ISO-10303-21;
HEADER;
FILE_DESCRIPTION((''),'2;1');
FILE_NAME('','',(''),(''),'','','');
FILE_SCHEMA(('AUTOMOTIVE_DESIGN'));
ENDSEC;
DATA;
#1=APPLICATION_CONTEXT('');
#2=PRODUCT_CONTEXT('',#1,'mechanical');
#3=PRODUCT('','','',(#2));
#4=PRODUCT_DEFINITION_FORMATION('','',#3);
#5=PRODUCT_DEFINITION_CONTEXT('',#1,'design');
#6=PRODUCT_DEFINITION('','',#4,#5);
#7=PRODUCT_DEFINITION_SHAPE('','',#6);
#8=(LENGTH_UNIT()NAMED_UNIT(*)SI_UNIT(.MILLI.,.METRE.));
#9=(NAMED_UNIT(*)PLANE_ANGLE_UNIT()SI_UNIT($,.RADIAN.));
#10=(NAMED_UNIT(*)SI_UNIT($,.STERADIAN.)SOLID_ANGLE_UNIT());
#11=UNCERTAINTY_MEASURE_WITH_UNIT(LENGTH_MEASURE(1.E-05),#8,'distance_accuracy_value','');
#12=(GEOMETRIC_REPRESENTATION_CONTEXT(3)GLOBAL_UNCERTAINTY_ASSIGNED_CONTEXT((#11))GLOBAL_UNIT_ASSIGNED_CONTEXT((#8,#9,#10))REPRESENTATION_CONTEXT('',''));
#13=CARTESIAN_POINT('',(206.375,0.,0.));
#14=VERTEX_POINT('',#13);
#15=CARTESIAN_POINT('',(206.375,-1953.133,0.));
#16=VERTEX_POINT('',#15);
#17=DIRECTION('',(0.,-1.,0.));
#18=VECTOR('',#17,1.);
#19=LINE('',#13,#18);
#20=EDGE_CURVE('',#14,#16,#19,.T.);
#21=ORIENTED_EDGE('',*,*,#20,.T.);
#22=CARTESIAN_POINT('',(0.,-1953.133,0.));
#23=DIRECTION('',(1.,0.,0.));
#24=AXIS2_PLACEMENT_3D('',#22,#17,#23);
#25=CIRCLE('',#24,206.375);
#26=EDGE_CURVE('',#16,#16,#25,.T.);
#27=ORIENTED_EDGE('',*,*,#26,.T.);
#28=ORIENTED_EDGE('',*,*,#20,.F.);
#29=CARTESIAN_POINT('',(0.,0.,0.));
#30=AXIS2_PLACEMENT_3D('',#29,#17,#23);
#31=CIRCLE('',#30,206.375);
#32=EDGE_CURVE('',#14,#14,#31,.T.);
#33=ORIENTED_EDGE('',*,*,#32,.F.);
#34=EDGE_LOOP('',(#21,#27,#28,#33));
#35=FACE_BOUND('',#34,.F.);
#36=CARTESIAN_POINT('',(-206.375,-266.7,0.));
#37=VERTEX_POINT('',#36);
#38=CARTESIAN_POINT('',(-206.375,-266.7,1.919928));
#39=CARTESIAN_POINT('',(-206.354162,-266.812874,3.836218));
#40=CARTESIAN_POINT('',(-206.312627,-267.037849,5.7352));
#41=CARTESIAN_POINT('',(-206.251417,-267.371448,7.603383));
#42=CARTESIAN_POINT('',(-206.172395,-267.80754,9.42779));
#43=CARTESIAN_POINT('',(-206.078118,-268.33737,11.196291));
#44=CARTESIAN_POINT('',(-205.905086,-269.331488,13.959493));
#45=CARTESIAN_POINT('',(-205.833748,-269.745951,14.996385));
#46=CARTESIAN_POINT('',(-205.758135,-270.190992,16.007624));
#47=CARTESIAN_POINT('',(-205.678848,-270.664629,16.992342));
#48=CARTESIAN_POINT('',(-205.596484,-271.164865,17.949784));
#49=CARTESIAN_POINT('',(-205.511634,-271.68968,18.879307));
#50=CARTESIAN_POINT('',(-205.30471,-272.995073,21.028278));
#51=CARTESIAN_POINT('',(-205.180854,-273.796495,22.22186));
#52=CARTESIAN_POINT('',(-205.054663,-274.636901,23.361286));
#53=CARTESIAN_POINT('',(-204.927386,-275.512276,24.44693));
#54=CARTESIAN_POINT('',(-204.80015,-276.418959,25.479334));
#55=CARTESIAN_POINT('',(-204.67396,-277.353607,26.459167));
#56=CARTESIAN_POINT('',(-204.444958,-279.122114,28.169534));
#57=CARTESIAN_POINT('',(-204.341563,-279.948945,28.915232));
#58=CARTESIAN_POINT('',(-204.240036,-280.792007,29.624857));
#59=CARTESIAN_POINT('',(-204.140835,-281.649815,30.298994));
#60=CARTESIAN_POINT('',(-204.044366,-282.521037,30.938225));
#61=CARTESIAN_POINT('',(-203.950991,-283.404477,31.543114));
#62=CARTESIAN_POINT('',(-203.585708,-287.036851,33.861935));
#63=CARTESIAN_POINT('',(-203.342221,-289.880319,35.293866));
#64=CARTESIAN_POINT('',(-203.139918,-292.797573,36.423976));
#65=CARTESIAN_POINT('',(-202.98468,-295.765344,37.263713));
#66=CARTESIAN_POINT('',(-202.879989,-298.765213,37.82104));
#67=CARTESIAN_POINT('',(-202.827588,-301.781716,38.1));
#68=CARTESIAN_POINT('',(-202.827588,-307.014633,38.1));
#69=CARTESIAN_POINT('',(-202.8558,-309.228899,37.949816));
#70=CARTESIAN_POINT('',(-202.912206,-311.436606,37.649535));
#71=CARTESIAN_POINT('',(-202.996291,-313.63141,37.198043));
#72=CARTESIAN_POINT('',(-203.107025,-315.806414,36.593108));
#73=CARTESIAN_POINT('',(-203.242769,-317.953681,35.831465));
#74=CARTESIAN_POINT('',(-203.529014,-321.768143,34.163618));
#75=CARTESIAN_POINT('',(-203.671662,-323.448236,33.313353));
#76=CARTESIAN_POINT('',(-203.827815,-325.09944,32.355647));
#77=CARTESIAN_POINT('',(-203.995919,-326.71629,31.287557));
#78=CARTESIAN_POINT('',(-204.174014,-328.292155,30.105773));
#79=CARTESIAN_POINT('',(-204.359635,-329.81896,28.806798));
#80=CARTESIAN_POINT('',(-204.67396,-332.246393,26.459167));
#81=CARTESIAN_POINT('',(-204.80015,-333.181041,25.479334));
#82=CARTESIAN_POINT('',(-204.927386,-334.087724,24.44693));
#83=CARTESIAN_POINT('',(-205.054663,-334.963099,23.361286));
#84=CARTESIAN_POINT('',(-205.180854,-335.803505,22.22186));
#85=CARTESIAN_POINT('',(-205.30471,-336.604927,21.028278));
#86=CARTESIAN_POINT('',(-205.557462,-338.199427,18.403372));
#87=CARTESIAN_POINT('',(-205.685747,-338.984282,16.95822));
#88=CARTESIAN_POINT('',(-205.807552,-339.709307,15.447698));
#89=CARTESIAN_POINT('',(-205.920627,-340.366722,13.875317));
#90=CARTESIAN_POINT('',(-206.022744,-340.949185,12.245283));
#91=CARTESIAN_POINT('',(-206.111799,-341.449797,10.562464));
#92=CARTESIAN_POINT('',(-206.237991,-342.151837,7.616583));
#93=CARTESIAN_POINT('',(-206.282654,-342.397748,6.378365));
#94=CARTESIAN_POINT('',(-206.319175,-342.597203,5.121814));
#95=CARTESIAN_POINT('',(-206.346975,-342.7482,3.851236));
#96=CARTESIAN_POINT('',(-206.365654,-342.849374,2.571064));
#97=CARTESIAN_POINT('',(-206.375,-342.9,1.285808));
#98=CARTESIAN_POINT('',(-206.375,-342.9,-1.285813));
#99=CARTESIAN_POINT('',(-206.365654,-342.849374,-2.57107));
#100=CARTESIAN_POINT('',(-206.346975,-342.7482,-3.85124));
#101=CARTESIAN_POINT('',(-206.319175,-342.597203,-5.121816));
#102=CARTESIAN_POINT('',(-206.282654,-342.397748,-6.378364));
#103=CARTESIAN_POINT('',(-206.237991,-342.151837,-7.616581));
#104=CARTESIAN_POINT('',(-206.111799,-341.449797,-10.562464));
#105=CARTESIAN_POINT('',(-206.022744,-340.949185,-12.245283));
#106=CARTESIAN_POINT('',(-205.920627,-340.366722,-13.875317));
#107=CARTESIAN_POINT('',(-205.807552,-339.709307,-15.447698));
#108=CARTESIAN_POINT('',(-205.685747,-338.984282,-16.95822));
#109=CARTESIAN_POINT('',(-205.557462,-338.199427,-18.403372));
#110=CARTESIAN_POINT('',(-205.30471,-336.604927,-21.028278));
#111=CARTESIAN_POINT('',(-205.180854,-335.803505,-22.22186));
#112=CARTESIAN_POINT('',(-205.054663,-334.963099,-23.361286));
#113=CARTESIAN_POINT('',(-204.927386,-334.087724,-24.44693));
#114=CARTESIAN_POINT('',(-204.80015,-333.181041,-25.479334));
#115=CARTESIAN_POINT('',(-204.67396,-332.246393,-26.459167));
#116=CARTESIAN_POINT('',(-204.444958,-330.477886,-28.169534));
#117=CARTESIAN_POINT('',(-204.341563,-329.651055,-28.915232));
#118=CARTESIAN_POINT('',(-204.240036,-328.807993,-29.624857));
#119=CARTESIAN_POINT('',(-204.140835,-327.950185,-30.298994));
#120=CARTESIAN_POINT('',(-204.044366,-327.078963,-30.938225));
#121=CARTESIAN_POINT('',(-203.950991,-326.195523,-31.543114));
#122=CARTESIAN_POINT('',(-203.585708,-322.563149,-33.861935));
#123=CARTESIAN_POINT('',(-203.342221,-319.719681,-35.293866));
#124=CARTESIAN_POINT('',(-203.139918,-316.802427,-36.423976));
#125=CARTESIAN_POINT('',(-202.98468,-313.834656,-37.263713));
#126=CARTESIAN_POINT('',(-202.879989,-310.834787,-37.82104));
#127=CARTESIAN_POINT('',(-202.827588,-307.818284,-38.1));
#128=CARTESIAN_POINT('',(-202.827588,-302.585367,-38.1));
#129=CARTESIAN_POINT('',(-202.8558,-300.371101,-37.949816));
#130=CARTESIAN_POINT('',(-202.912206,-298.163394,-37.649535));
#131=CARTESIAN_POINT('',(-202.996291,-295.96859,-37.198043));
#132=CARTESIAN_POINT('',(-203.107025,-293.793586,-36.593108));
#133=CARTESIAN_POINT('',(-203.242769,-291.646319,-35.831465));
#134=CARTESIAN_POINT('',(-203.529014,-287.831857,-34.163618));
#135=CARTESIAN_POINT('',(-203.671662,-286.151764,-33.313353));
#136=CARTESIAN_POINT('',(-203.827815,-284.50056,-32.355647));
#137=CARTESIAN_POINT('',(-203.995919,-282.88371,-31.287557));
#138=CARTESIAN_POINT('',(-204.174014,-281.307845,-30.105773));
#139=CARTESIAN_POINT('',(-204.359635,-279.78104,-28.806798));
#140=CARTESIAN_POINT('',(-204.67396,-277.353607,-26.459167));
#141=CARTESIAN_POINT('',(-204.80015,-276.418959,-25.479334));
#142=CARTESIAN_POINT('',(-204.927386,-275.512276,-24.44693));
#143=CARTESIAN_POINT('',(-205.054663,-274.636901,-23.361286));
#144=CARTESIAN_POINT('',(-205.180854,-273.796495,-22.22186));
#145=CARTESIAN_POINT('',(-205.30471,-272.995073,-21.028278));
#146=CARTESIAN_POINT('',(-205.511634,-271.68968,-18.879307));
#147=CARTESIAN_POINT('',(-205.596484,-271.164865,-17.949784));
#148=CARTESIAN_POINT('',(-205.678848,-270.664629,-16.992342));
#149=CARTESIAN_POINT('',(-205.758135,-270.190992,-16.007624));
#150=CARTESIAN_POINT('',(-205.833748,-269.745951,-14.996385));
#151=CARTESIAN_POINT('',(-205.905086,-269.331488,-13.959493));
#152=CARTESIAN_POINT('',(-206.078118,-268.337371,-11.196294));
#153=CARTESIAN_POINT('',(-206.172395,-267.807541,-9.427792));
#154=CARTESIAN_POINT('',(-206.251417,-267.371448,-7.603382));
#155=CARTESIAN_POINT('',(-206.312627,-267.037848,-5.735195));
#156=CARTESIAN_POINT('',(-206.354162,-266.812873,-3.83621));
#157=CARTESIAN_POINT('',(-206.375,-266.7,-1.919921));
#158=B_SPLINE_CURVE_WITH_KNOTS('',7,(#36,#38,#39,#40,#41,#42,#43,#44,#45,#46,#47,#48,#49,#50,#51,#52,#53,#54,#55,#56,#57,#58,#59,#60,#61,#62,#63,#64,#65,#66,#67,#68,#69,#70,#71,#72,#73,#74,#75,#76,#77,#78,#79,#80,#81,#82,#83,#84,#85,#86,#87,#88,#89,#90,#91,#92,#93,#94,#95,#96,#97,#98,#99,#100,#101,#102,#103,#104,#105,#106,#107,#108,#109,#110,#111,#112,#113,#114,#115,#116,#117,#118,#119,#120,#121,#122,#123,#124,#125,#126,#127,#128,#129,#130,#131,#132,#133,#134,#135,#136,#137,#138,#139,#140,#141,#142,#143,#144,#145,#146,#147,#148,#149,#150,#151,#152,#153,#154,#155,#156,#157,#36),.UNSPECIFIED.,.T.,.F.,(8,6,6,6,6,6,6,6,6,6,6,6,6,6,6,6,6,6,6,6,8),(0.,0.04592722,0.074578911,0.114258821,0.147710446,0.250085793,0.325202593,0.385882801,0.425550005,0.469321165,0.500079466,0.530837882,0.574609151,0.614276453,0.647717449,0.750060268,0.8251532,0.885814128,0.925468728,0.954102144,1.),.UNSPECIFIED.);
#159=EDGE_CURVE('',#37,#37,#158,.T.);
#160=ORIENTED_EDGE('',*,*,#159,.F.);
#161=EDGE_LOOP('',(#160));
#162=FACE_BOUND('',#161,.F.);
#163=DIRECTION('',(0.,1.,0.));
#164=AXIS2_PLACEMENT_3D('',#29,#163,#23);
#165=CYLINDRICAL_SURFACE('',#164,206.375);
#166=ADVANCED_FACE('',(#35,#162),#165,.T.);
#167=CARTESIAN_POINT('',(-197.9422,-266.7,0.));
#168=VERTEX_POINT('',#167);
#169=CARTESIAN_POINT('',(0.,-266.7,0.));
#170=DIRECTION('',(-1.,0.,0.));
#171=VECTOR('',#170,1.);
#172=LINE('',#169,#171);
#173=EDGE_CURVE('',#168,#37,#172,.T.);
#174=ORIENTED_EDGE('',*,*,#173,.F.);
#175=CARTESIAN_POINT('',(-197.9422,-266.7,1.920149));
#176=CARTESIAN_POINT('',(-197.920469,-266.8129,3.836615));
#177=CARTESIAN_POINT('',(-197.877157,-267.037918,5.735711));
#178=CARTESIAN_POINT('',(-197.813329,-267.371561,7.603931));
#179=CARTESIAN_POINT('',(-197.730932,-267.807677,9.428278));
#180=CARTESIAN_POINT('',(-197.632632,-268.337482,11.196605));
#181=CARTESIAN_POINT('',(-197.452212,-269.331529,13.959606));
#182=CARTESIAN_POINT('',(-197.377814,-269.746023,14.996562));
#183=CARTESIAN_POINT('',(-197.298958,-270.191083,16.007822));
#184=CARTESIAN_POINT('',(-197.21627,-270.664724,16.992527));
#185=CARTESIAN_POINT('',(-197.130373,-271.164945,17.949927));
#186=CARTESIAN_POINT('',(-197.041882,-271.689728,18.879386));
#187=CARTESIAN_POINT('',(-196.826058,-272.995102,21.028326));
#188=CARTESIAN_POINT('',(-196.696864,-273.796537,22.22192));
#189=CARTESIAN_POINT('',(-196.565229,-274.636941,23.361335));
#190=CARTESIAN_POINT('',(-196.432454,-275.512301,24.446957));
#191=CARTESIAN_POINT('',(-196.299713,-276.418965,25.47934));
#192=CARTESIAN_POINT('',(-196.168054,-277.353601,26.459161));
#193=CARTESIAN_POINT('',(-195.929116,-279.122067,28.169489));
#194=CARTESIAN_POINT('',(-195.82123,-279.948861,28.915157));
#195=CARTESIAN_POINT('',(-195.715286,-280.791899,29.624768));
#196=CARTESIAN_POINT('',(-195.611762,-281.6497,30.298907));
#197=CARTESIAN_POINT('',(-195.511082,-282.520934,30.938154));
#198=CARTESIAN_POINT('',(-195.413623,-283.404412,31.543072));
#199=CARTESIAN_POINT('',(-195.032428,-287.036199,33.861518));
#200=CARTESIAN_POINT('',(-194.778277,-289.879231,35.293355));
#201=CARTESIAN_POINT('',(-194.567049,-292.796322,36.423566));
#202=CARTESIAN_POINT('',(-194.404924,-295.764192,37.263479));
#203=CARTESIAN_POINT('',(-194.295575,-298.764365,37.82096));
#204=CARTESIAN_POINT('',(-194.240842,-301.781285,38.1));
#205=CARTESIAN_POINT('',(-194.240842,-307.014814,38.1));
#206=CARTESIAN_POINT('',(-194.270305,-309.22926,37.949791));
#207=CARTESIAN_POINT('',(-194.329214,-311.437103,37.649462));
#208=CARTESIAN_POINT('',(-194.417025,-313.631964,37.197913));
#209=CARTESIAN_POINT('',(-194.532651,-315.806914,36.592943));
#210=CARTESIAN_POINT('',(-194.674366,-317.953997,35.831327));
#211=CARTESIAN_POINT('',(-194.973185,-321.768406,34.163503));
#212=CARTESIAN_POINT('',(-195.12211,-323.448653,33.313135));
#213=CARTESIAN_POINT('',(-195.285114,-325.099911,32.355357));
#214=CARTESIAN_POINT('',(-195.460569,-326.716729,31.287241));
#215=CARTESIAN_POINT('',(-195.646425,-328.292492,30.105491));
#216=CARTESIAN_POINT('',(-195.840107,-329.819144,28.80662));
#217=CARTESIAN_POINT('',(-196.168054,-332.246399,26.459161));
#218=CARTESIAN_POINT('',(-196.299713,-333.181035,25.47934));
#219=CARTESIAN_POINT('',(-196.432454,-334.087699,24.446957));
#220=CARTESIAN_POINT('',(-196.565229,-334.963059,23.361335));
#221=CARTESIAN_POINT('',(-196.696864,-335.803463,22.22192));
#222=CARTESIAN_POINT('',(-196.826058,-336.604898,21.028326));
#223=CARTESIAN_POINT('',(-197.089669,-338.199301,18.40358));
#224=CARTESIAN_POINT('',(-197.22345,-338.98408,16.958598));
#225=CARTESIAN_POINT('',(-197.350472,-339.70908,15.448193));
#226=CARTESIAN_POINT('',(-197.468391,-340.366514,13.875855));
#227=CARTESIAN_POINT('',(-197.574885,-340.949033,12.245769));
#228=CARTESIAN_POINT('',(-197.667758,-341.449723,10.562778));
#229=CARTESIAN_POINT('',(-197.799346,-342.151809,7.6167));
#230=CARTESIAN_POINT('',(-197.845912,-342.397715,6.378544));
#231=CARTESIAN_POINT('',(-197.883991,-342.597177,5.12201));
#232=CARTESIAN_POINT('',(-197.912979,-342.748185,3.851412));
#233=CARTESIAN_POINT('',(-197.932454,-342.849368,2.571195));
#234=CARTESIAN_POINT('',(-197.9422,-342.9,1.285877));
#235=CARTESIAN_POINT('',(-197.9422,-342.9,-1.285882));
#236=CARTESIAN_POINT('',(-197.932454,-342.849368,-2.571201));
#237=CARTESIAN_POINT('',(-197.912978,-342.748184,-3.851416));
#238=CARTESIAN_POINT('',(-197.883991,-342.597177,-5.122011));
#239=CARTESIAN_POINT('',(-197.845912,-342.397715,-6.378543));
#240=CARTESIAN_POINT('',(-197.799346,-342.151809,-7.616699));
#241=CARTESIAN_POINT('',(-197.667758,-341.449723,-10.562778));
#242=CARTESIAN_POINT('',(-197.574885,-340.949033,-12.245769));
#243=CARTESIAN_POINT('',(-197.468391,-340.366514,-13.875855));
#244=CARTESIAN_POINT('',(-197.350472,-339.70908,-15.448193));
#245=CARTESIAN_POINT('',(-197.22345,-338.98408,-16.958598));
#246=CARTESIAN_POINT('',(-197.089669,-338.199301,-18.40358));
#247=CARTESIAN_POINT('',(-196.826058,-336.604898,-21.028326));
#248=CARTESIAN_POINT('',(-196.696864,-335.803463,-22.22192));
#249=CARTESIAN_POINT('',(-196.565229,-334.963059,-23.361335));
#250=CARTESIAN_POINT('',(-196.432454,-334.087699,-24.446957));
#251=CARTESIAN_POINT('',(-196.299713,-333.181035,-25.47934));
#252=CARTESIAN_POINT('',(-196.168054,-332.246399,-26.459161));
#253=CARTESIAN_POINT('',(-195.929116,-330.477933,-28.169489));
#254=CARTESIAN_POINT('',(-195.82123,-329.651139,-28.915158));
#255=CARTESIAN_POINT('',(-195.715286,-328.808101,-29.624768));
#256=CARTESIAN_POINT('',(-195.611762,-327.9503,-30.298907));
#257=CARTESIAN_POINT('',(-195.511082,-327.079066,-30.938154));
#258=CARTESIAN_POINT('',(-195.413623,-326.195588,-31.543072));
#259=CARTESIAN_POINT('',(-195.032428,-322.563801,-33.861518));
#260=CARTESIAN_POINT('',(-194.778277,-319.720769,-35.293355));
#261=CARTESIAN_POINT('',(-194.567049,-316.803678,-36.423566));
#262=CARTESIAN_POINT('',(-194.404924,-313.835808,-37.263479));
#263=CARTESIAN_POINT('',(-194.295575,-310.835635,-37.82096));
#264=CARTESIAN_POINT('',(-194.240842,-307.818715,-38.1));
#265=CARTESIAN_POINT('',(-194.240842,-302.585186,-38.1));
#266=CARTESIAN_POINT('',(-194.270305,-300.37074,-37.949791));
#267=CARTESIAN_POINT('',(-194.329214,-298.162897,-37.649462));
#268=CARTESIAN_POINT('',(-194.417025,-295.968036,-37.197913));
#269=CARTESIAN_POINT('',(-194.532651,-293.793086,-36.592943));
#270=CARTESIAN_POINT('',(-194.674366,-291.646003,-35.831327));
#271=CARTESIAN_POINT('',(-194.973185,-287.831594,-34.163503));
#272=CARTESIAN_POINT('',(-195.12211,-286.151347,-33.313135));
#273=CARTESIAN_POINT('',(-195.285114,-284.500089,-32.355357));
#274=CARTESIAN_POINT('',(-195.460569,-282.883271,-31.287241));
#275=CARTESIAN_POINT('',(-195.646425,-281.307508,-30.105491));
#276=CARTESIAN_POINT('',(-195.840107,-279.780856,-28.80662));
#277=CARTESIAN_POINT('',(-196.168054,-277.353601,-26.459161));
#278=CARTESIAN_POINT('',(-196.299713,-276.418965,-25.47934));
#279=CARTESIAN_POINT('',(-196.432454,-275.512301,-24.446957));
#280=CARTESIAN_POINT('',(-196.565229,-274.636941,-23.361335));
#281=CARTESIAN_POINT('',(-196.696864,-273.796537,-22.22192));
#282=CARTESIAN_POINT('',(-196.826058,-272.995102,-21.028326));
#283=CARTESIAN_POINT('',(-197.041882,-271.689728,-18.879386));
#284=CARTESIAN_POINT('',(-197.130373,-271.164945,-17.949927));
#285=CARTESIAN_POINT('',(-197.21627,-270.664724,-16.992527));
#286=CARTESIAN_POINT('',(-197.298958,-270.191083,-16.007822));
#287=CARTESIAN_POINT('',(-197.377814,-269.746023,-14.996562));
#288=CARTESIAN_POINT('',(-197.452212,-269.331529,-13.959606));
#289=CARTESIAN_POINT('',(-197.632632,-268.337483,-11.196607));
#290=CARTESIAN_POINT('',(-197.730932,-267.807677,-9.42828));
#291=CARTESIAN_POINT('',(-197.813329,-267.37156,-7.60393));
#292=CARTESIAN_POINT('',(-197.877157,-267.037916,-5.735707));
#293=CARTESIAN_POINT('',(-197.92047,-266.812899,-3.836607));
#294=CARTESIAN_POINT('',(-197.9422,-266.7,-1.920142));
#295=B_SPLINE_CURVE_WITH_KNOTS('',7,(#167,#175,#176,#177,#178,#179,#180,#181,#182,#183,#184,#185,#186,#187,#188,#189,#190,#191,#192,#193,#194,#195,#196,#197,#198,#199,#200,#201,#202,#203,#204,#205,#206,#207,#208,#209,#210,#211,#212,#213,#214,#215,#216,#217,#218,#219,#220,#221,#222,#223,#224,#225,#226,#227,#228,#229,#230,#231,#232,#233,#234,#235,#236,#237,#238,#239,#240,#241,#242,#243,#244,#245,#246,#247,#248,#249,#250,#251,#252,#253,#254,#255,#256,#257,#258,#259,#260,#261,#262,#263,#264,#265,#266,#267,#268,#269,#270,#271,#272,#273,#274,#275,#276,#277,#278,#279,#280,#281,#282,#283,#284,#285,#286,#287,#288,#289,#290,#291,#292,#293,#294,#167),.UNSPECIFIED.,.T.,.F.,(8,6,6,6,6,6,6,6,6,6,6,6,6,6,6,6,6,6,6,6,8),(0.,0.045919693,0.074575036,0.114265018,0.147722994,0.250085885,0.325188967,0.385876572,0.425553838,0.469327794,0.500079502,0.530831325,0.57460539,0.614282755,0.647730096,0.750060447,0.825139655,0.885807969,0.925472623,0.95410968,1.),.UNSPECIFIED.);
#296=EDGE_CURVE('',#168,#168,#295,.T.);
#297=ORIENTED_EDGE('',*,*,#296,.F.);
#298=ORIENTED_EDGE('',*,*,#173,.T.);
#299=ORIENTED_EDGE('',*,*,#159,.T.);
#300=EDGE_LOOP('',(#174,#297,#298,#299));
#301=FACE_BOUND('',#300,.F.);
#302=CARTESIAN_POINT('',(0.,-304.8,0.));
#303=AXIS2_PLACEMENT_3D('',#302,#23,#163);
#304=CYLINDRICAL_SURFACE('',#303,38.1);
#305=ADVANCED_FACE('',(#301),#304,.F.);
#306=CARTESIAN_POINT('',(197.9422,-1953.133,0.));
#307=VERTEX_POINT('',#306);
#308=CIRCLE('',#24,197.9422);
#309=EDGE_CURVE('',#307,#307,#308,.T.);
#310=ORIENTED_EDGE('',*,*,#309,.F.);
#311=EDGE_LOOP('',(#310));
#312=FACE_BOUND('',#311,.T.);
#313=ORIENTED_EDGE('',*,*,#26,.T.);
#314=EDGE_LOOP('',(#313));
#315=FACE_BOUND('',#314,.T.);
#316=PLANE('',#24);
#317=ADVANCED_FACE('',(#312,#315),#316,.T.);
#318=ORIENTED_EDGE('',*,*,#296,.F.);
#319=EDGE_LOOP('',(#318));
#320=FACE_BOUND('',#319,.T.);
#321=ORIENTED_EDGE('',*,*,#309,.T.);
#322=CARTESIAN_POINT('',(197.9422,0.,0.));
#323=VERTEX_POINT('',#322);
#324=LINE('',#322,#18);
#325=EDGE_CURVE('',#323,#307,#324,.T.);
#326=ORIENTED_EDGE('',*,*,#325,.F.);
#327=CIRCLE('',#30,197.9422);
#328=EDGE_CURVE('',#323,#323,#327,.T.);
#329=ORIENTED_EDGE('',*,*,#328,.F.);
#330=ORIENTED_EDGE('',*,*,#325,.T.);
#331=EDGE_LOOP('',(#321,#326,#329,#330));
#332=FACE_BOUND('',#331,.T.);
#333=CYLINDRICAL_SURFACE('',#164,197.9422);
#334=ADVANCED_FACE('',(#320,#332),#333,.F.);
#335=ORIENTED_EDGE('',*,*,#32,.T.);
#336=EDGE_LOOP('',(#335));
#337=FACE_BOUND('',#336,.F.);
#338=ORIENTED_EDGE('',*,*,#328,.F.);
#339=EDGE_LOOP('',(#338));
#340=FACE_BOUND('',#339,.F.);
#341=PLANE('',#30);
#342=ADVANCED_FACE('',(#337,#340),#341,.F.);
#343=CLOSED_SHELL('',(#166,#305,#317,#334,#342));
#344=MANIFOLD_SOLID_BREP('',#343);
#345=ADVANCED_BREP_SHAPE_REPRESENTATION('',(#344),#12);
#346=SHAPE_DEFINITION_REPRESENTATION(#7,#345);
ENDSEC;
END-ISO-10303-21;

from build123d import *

# Parameters (mm, degrees)
F0_R     = 206.375
F0_R_2   = 197.9422
F1_DEPTH = 1953.133
F3_D     = 76.2
F3_DEPTH = 206.376


with BuildPart() as f1:
    # F0 (on Front) → F1 (new body)
    with BuildSketch(Plane.XZ):
        Circle(F0_R)
        Circle(F0_R_2, mode=Mode.SUBTRACT)
    extrude(amount=F1_DEPTH)

    # F3 (through all, one way)
    with BuildSketch(Plane.YZ):
        with Locations((-304.8, 0)):
            Circle(F3_D / 2)
    extrude(amount=-F3_DEPTH, mode=Mode.SUBTRACT)


solid = f1.part
